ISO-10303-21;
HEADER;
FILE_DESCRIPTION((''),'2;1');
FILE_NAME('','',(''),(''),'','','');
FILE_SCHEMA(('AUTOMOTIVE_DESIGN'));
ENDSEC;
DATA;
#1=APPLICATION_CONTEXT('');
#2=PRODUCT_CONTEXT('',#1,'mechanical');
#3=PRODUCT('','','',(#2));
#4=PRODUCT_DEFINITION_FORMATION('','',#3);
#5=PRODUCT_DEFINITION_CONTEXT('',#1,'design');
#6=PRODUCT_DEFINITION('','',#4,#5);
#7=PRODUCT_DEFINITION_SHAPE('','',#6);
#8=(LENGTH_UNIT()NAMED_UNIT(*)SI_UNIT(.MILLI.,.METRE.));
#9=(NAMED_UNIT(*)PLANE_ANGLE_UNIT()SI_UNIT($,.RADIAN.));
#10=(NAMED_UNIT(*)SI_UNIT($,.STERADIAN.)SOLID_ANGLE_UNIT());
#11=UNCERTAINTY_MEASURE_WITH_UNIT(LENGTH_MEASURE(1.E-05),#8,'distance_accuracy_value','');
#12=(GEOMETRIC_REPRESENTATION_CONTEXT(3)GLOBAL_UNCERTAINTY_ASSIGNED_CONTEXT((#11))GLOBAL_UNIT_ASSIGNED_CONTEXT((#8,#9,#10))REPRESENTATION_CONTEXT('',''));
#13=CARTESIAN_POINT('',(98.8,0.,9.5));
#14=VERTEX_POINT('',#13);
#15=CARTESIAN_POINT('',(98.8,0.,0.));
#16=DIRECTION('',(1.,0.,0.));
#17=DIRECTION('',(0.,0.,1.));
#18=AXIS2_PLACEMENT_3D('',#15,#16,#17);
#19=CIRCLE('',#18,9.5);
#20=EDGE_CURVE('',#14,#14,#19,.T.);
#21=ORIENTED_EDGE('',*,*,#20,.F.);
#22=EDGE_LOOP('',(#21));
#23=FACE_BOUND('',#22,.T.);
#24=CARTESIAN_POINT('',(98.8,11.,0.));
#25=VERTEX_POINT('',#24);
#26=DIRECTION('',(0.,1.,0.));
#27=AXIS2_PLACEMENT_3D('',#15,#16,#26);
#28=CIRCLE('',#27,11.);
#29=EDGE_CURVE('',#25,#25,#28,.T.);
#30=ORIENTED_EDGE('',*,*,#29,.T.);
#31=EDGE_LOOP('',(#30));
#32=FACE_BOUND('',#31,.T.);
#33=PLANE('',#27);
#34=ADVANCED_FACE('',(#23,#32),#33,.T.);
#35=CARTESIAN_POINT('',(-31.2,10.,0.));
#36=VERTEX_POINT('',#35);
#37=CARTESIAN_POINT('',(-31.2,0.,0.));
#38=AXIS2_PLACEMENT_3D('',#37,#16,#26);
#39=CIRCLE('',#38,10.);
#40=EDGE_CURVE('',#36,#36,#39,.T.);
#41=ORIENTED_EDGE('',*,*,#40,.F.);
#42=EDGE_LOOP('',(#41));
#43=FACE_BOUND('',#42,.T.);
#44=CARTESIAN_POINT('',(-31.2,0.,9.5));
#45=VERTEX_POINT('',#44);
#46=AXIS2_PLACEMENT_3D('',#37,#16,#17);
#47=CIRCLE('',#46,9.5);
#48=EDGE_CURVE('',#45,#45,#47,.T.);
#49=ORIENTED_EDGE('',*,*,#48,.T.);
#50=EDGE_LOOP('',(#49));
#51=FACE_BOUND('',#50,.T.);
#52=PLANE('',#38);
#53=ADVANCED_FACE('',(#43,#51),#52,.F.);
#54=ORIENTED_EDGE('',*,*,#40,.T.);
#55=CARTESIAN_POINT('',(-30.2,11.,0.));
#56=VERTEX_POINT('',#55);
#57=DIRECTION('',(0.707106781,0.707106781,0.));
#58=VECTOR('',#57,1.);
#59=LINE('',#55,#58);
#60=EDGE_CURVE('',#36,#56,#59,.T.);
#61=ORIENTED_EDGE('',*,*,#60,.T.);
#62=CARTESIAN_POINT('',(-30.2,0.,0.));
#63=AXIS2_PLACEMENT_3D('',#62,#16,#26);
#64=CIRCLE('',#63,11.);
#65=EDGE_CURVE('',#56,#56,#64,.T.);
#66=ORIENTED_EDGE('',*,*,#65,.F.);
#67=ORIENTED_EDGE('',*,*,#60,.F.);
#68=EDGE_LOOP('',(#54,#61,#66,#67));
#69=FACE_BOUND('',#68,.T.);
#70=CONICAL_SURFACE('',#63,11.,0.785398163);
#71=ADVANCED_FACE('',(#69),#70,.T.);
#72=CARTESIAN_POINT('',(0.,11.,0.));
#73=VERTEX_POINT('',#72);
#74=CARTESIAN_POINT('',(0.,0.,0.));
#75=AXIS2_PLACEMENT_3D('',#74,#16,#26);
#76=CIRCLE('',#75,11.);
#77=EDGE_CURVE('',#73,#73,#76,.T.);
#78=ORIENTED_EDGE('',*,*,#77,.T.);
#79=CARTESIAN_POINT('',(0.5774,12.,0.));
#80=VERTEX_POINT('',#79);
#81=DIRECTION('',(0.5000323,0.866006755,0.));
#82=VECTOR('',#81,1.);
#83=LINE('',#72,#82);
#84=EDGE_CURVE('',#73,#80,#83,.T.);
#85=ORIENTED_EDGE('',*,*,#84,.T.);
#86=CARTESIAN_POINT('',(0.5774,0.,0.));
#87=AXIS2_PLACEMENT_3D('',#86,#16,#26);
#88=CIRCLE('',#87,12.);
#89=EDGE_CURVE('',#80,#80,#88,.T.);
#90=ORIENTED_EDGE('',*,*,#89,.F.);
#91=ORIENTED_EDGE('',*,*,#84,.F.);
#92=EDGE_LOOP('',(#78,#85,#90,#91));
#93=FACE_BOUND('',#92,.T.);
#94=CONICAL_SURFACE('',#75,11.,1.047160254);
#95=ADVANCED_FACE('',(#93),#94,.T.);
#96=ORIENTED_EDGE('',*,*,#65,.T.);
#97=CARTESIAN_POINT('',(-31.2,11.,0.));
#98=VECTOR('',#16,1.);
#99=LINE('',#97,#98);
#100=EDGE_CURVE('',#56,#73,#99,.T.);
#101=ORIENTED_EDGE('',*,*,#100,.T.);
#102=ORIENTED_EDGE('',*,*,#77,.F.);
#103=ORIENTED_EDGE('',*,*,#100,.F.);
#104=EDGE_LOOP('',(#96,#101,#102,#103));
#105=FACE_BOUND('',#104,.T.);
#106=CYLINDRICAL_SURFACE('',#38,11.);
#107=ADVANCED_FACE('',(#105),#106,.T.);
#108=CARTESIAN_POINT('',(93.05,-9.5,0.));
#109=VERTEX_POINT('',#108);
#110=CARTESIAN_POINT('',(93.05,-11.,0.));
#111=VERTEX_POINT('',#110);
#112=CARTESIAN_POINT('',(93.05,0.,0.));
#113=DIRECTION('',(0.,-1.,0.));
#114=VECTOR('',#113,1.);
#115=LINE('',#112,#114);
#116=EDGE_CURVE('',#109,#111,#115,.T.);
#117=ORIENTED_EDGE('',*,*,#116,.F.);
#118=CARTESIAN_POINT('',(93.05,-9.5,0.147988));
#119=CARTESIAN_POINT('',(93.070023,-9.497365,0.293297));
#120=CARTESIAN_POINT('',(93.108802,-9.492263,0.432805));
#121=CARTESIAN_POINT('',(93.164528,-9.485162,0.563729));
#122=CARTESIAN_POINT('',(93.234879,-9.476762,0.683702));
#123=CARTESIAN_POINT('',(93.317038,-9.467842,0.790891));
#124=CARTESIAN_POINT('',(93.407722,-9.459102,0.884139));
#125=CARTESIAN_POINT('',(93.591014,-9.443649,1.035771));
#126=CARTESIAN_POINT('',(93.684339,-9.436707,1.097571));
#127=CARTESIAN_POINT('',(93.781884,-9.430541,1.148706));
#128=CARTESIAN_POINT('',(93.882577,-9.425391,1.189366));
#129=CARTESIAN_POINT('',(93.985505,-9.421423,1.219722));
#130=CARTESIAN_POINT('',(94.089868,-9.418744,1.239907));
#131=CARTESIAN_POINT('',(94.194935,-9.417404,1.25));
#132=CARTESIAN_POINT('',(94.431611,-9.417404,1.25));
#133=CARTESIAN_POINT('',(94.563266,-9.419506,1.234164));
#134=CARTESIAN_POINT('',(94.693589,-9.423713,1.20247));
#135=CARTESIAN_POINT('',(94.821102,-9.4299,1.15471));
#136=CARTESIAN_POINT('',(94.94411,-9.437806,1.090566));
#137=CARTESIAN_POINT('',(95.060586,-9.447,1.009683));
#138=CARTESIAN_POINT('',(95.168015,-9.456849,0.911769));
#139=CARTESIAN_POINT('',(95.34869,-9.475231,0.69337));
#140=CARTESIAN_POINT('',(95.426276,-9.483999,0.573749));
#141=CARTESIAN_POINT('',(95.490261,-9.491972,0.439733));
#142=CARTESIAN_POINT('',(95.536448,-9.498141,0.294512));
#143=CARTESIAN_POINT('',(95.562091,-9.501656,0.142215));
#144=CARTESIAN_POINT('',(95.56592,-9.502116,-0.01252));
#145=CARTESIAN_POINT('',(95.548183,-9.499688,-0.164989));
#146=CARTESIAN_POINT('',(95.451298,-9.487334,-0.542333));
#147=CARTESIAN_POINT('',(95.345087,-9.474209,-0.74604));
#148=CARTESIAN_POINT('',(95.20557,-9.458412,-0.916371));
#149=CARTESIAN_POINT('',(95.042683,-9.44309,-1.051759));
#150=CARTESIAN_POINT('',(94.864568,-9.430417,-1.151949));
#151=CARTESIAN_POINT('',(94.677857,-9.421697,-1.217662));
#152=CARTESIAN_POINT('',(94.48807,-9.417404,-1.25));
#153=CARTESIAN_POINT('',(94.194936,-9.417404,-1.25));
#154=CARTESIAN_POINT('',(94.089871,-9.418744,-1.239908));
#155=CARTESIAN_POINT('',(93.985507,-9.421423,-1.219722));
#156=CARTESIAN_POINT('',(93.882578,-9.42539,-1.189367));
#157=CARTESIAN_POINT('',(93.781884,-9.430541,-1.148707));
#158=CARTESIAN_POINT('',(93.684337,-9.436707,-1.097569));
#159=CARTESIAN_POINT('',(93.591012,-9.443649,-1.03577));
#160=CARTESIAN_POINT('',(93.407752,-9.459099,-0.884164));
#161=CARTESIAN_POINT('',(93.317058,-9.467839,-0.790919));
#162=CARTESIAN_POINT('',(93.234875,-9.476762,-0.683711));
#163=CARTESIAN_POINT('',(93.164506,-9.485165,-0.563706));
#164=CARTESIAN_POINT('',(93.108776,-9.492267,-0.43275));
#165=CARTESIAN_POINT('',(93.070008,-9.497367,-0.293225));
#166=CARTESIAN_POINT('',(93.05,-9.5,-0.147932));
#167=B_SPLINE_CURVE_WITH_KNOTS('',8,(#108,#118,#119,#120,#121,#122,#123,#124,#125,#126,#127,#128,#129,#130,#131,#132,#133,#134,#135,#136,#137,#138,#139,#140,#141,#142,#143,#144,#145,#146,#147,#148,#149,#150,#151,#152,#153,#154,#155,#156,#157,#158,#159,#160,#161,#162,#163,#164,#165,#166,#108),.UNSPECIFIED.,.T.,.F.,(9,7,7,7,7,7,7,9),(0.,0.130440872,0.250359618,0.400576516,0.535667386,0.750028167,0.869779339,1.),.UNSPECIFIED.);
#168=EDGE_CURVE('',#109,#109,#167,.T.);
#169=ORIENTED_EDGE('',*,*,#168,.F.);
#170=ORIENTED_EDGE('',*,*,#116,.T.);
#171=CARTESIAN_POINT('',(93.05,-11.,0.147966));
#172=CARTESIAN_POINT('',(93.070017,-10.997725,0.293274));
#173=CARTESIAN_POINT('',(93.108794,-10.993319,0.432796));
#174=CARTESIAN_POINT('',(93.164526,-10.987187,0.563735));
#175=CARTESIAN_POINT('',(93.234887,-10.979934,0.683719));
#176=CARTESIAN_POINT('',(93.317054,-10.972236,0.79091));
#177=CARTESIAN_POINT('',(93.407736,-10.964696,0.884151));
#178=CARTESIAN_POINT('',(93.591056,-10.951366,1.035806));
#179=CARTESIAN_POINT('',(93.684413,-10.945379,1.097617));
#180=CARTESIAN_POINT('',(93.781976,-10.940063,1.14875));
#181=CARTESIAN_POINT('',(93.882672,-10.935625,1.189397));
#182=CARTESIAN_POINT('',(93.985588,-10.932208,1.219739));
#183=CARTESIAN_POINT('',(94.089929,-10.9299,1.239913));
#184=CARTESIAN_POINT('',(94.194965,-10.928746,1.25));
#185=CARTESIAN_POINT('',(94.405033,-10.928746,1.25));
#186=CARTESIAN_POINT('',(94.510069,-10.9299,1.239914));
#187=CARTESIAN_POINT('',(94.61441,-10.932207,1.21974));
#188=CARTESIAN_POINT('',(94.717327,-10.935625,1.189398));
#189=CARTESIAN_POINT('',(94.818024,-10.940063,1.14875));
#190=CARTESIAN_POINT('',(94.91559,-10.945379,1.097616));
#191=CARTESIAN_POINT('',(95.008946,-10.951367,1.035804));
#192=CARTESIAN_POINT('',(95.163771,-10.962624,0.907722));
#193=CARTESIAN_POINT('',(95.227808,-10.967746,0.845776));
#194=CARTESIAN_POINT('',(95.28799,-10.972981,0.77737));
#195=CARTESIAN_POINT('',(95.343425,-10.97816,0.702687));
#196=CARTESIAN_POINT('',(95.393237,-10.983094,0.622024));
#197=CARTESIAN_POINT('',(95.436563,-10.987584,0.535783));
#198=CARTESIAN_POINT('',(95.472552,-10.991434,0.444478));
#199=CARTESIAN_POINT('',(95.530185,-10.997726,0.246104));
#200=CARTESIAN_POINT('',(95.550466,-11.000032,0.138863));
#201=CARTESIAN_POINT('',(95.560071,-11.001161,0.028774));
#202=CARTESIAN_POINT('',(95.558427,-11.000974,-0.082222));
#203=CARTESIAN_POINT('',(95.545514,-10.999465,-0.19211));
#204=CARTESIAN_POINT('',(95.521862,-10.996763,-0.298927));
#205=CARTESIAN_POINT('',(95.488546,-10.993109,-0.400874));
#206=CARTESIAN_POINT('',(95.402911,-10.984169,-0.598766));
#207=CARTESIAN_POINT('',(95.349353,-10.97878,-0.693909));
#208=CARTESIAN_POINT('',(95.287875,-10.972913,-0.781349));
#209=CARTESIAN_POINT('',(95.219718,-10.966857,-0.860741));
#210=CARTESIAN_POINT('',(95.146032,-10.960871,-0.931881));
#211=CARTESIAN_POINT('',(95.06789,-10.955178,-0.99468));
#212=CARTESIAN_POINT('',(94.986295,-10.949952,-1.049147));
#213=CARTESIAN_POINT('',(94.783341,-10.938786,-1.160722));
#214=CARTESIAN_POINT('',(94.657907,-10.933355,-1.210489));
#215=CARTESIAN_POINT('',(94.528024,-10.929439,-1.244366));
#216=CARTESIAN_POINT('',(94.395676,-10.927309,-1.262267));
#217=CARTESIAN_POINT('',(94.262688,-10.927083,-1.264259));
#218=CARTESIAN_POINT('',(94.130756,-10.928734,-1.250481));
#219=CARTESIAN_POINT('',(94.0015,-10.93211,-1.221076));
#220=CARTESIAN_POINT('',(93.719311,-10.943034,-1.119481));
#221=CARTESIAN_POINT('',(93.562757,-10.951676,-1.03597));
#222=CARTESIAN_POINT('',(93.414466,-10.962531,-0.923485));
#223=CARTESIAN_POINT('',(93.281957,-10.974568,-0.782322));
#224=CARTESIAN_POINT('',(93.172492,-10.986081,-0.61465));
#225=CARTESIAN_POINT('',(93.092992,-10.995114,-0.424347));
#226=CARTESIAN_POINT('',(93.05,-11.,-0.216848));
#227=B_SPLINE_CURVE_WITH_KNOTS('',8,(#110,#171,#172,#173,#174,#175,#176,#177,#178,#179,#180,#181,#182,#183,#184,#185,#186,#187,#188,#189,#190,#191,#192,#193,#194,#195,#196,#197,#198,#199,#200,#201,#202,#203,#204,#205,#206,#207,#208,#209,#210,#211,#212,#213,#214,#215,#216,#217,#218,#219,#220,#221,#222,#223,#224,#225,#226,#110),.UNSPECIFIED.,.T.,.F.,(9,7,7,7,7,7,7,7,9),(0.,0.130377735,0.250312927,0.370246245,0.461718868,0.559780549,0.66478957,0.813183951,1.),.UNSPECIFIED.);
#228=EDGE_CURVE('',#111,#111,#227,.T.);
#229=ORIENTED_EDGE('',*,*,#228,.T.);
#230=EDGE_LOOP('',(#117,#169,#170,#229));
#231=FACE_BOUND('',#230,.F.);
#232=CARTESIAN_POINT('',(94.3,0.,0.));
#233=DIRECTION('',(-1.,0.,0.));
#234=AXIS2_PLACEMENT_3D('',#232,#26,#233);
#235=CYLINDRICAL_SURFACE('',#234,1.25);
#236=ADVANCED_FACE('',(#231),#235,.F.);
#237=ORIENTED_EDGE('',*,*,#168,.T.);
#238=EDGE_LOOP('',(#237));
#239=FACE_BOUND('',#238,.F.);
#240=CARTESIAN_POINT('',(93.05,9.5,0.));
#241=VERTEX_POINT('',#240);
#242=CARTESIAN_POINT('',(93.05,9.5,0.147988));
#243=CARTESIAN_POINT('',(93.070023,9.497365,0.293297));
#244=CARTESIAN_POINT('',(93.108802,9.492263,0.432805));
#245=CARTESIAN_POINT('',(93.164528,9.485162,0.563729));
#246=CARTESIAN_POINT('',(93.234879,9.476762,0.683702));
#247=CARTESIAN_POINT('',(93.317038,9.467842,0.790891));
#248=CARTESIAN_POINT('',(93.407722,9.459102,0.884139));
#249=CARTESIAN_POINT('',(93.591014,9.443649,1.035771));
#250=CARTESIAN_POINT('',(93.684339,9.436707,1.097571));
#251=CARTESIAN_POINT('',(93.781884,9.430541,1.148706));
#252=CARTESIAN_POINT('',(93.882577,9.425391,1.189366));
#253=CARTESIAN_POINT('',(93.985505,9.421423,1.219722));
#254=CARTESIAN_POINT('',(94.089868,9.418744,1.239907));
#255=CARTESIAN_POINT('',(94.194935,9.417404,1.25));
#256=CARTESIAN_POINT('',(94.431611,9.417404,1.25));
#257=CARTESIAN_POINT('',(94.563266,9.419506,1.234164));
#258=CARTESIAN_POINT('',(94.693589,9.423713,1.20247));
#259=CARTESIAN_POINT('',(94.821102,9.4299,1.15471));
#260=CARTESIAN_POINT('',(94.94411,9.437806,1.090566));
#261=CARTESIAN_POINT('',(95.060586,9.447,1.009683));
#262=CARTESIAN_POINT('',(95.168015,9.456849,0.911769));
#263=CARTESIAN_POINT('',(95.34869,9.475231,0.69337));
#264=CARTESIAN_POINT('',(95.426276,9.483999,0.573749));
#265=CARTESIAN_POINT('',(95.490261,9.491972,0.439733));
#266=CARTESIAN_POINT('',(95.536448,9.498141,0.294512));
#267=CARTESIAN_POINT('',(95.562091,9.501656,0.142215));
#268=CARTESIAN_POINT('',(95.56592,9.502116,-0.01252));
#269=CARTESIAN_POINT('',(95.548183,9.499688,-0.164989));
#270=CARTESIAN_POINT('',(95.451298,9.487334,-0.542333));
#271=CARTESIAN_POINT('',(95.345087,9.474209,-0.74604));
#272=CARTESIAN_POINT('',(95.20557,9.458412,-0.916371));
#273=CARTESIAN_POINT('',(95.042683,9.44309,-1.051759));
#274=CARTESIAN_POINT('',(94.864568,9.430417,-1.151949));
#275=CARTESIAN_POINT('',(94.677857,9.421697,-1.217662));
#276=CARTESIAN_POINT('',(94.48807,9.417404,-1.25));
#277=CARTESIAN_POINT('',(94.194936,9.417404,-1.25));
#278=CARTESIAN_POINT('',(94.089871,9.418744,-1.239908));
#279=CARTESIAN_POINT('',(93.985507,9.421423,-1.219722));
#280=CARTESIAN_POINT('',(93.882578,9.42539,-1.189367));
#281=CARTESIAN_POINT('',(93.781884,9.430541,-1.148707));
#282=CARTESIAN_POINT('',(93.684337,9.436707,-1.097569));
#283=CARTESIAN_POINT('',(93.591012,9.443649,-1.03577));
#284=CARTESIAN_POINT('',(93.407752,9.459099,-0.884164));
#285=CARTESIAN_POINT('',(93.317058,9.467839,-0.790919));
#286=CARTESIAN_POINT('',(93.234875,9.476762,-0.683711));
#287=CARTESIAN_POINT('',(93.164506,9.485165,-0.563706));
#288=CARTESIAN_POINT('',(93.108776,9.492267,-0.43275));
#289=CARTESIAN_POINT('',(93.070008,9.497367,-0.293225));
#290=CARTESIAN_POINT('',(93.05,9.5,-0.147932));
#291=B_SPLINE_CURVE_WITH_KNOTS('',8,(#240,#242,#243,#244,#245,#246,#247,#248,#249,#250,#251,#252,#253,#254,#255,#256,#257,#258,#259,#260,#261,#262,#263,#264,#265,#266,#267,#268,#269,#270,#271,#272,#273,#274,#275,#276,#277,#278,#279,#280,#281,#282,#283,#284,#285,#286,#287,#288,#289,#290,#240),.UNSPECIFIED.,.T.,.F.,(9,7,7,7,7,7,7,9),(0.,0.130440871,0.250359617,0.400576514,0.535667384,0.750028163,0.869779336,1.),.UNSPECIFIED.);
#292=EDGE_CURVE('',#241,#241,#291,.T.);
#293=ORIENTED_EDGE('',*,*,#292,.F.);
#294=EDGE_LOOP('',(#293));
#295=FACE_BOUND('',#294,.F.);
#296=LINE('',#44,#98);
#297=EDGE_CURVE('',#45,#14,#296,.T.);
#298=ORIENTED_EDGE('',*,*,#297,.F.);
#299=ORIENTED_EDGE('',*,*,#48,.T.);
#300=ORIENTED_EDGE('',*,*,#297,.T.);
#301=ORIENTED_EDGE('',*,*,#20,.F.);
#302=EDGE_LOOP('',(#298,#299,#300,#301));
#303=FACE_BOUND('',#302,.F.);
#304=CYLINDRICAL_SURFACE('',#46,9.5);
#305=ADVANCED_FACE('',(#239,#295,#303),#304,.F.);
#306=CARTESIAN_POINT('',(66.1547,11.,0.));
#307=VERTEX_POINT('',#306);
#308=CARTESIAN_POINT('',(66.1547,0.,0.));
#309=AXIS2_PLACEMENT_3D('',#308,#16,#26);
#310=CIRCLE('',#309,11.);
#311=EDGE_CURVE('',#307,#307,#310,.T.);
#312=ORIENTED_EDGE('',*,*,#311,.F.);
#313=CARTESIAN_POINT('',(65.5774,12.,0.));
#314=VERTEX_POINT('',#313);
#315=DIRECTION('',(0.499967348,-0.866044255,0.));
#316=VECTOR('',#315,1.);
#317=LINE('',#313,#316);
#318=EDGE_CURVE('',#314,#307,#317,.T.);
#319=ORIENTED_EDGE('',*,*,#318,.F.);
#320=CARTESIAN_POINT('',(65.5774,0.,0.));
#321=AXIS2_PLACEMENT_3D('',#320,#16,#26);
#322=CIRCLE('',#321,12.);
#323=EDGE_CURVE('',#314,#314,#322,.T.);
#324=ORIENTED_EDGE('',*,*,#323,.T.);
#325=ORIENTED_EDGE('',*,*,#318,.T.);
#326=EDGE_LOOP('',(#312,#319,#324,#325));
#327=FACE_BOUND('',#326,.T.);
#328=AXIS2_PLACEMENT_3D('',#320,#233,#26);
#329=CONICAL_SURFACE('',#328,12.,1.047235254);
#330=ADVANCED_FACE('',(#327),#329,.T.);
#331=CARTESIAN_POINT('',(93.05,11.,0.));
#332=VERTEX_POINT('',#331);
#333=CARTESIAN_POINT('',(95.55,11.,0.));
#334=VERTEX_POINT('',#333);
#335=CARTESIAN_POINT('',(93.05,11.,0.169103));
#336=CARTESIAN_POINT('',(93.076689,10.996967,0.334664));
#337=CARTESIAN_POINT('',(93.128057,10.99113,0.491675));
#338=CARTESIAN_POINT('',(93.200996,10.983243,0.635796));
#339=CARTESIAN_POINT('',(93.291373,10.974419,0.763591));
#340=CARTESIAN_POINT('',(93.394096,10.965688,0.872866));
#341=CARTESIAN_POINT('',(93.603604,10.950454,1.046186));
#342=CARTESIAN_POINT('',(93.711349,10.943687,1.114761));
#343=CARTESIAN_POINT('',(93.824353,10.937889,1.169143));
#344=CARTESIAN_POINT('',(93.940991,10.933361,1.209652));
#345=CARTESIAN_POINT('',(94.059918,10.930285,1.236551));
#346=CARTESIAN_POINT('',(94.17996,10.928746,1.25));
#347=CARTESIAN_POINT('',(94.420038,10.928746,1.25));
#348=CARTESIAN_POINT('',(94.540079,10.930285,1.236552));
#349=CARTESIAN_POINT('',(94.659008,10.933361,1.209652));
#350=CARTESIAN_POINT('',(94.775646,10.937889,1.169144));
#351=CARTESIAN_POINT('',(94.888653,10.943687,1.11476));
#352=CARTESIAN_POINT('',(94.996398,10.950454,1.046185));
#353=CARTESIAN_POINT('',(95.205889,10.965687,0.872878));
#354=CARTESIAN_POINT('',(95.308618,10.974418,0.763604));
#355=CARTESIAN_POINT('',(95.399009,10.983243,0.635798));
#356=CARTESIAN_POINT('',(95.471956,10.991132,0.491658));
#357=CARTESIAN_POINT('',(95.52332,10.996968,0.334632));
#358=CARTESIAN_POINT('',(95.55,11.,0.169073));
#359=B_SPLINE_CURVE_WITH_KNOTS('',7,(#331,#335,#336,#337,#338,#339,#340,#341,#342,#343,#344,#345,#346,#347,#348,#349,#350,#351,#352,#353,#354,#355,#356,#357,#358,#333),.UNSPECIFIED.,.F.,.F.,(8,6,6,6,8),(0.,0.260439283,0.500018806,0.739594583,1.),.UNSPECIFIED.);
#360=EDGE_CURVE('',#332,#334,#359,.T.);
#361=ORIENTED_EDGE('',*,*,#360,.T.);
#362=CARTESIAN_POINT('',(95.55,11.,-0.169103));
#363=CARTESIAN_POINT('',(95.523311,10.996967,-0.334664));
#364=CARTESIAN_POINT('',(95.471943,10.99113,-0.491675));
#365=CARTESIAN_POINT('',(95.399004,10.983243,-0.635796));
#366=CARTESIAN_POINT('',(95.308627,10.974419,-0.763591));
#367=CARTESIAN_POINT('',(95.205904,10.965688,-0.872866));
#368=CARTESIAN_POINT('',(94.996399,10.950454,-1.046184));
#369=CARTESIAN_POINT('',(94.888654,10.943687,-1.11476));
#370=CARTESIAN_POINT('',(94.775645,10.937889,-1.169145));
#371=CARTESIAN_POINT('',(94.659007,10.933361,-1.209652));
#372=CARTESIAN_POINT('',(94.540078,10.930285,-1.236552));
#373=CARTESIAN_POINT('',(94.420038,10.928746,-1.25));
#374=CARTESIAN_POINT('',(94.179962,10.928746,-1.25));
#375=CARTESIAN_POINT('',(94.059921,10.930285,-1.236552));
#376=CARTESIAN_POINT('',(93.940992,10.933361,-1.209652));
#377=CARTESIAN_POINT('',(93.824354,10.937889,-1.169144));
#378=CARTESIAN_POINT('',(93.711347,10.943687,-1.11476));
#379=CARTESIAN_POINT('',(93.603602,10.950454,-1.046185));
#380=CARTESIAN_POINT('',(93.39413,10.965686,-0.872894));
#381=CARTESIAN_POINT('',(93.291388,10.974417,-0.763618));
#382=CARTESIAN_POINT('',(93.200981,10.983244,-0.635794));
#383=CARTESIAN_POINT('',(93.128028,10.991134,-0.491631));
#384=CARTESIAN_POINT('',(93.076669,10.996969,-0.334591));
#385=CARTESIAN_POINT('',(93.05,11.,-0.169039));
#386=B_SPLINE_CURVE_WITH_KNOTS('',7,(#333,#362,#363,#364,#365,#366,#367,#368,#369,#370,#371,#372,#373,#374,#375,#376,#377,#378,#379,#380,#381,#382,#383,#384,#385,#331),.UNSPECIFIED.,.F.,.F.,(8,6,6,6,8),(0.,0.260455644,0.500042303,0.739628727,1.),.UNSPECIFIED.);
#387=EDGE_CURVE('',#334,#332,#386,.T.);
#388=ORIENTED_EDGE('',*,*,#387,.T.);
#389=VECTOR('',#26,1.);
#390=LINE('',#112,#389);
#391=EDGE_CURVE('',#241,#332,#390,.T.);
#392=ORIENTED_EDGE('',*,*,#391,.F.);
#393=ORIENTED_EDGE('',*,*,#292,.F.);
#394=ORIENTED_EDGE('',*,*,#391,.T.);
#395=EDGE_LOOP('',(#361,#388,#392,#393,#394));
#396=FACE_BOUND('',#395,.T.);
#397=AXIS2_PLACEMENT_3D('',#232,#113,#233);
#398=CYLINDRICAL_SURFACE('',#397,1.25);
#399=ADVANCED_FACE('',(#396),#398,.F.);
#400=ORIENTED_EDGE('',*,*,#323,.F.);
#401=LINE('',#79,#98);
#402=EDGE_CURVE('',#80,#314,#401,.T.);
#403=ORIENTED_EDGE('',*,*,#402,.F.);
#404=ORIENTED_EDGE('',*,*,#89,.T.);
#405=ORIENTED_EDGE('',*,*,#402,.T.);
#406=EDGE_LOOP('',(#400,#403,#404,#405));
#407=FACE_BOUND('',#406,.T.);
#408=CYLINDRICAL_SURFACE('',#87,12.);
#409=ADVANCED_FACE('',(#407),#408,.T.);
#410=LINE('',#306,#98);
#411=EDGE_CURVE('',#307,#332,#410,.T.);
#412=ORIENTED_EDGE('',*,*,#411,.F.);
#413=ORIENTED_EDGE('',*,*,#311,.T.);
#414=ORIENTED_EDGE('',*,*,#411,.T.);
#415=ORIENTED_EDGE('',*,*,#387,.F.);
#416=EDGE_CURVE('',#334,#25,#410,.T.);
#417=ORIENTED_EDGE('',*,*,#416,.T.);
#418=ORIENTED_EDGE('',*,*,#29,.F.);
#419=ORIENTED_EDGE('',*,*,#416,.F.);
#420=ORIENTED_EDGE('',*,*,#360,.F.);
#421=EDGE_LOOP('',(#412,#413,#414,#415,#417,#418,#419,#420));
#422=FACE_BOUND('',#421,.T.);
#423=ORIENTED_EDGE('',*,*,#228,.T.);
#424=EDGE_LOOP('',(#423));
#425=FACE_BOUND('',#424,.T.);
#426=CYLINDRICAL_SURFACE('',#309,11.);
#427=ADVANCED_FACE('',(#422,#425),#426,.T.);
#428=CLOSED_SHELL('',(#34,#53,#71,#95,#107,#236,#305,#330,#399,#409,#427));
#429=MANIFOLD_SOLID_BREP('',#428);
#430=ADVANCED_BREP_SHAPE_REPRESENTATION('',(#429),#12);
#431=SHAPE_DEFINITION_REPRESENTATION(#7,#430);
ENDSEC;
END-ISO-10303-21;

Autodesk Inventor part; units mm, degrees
ref_plane "YZ Plane" through (0, 0, 0) normal (1, 0, 0) x (0, 1, 0)
ref_plane "XZ Plane" through (0, 0, 0) normal (0, 1, 0) x (-1, 0, 0)
ref_plane "XY Plane" through (0, 0, 0) normal (0, 0, 1) x (1, 0, 0)
sketch "Profile" plane through (0, 0, 0) normal (0, 0, 1) x (1, 0, 0)
  line L0 (-31.2, 0) -> (-31.2, 11)
  line L1 (-31.2, 11) -> (0, 11)
  line L2 (0, 11) -> (0.5774, 12)
  line L3 (0.5774, 12) -> (65.5774, 12)
  line L4 (65.5774, 12) -> (66.1547, 11)
  line L5 (66.1547, 11) -> (98.8, 11)
  line L6 (98.8, 11) -> (98.8, 0)
  line L7 (-31.2, 0) -> (0, 0)
  line L8 (0, 0) -> (0, 9)
  line L9 (0, 9) -> (90.8, 9)
  line L10 (90.8, 9) -> (90.8, 0)
  line L11 (90.8, 0) -> (98.8, 0)
  line L12 (-57.2, 0) -> (124.8, 0) construction
  line L13 (0, 11) -> (0, 9) construction
  dimension "BodyLength" = 130
  dimension "d1" = 11
  dimension "d3" = 120
  dimension "d4" = 120
  dimension "d5" = 65
  dimension "d6" = 31.2
  dimension "d16" = 8
  dimension "d29" = 1
  dimension "d30" = 9
revolve "ProfileRevolveFeature" add sketch "Profile" angle 360 about axis through (-10, 0, 0) along (1, 0, 0)
sketch "InsideHole" plane through (-31.2, 0, 0) normal (-1, 0, 0) x (0, 0, 1)
  circle A0 centre (0, 0) radius 9 construction
hole "InsideHoleFeature" at (-31.2, 0, 0) direction (1, 0, 0) diameter 19 end through all
chamfer "EndChamferFeature" distance 1 angle 45 1 edges at (-31.2, -11, 0)
sketch "CapMountHole" plane through (0, 0, 0) normal (0, 1, 0) x (-1, 0, 0)
  line L0 (-98.8, 11) -> (-98.8, -11) construction
  line L1 (5.32, 0) -> (-31.92, 0) construction
  circle A0 centre (-94.3, 0) radius 1.25
  point P0 (0, 0)
  dimension "d31" = 4.5
  dimension "d39" = 2.5
extrude "CapMountHoleFeature" cut sketch "CapMountHole" along normal through all both and the other way through all
equation "\"d5\" = 0.5 * BodyLength"
equation "\"d6\" = 0.24 * BodyLength"
properties part number "BackPair1PistonBody"
